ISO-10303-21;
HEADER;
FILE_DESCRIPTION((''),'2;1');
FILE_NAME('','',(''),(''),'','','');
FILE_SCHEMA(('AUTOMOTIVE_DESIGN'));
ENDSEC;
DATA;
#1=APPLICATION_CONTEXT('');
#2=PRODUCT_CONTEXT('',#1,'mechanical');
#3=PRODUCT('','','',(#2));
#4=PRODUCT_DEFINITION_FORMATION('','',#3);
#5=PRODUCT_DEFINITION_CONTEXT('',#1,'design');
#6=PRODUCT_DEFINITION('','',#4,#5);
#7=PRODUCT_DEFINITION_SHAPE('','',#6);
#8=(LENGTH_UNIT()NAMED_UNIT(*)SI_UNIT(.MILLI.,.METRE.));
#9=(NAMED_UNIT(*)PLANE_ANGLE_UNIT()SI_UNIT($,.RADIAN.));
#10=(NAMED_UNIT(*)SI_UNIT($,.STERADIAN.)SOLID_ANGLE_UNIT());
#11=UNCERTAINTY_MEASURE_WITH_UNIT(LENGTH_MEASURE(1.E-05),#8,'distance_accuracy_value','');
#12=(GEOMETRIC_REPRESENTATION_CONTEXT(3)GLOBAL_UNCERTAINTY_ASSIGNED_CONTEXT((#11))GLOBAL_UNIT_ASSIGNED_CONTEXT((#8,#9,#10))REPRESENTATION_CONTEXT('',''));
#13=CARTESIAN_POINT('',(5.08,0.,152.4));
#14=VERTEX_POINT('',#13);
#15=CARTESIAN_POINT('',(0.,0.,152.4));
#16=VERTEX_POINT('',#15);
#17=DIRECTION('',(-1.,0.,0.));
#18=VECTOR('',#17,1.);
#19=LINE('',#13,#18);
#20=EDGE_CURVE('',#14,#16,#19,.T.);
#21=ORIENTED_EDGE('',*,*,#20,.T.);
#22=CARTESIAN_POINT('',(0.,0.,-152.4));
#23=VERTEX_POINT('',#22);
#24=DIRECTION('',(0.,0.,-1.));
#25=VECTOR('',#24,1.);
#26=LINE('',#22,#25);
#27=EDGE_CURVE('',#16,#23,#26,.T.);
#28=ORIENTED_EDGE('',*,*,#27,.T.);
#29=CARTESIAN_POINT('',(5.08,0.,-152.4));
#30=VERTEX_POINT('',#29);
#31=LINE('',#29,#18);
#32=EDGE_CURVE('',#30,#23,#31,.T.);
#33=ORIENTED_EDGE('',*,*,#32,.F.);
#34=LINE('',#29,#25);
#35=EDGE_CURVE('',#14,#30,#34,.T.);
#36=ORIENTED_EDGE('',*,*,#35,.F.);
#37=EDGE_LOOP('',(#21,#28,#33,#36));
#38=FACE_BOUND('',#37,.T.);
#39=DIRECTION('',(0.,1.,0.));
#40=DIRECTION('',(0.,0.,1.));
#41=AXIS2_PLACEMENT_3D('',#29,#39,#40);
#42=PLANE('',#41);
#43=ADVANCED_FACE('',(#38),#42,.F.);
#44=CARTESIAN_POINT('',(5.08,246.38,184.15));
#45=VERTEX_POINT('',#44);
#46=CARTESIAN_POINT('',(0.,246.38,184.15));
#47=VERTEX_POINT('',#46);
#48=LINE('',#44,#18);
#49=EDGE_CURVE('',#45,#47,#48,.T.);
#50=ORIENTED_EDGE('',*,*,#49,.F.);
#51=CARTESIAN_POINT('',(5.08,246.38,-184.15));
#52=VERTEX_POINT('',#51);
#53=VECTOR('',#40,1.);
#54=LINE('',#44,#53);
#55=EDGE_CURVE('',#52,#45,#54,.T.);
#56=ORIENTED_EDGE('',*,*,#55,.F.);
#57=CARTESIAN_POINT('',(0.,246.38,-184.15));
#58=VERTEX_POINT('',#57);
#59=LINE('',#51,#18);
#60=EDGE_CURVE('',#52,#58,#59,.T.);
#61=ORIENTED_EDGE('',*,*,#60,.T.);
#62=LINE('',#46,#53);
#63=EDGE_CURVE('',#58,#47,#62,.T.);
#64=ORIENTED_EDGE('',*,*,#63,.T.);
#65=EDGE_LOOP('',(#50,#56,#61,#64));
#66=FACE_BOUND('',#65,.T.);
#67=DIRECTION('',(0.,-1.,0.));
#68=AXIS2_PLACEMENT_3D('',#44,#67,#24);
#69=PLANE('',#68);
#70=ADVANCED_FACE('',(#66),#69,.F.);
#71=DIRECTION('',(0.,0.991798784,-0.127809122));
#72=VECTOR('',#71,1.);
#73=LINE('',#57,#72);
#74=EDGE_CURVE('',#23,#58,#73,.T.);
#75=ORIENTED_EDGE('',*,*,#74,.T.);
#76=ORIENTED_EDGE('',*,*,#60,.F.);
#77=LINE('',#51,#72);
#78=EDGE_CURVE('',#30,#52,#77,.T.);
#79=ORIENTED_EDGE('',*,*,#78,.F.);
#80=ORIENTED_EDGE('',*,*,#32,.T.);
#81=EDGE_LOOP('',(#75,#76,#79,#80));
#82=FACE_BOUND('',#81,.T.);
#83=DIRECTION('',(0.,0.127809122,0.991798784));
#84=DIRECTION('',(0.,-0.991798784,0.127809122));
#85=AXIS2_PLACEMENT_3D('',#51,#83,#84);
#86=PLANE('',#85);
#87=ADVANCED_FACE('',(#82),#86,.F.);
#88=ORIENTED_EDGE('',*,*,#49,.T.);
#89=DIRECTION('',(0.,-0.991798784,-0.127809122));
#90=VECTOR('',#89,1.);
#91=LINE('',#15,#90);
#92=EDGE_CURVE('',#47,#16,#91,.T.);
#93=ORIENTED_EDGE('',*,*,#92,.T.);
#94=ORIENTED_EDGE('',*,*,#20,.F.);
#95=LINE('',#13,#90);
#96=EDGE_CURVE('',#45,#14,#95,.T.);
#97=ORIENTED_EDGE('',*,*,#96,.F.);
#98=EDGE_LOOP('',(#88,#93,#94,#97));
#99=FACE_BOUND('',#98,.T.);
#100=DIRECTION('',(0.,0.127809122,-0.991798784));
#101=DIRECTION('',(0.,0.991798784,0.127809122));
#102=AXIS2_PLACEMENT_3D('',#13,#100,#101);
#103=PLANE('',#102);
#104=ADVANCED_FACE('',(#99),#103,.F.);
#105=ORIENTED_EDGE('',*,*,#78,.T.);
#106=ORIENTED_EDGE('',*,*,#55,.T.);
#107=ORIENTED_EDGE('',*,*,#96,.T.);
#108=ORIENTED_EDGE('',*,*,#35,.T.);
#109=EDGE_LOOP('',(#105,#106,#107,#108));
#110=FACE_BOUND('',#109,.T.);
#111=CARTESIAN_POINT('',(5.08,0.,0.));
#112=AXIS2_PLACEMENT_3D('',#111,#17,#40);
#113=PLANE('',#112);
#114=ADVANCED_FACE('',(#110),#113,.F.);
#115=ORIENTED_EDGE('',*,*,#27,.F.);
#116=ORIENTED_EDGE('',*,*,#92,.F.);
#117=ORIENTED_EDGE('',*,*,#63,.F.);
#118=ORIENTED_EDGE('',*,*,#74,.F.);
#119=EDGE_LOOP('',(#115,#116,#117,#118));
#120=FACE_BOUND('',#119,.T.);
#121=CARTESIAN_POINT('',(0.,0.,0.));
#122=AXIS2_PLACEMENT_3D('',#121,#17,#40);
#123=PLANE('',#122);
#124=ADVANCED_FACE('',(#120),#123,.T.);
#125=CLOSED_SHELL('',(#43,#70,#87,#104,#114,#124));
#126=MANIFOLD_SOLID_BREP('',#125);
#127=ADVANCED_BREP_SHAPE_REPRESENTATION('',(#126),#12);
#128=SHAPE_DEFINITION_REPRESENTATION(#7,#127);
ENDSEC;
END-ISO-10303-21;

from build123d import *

# Parameters (mm, degrees)
BOSS_EXTRUDE1_DEPTH = 5.08


with BuildPart() as part:
    # Sketch1 → Boss-Extrude1 (new body)
    with BuildSketch(Plane(origin=(0, 0, 0), x_dir=(0, 0, -1), z_dir=(1, 0, 0))):
        Polygon((-184.15, 246.38), (184.15, 246.38), (152.4, 0), (-152.4, 0), align=None)
    extrude(amount=BOSS_EXTRUDE1_DEPTH)


solid = part.part
